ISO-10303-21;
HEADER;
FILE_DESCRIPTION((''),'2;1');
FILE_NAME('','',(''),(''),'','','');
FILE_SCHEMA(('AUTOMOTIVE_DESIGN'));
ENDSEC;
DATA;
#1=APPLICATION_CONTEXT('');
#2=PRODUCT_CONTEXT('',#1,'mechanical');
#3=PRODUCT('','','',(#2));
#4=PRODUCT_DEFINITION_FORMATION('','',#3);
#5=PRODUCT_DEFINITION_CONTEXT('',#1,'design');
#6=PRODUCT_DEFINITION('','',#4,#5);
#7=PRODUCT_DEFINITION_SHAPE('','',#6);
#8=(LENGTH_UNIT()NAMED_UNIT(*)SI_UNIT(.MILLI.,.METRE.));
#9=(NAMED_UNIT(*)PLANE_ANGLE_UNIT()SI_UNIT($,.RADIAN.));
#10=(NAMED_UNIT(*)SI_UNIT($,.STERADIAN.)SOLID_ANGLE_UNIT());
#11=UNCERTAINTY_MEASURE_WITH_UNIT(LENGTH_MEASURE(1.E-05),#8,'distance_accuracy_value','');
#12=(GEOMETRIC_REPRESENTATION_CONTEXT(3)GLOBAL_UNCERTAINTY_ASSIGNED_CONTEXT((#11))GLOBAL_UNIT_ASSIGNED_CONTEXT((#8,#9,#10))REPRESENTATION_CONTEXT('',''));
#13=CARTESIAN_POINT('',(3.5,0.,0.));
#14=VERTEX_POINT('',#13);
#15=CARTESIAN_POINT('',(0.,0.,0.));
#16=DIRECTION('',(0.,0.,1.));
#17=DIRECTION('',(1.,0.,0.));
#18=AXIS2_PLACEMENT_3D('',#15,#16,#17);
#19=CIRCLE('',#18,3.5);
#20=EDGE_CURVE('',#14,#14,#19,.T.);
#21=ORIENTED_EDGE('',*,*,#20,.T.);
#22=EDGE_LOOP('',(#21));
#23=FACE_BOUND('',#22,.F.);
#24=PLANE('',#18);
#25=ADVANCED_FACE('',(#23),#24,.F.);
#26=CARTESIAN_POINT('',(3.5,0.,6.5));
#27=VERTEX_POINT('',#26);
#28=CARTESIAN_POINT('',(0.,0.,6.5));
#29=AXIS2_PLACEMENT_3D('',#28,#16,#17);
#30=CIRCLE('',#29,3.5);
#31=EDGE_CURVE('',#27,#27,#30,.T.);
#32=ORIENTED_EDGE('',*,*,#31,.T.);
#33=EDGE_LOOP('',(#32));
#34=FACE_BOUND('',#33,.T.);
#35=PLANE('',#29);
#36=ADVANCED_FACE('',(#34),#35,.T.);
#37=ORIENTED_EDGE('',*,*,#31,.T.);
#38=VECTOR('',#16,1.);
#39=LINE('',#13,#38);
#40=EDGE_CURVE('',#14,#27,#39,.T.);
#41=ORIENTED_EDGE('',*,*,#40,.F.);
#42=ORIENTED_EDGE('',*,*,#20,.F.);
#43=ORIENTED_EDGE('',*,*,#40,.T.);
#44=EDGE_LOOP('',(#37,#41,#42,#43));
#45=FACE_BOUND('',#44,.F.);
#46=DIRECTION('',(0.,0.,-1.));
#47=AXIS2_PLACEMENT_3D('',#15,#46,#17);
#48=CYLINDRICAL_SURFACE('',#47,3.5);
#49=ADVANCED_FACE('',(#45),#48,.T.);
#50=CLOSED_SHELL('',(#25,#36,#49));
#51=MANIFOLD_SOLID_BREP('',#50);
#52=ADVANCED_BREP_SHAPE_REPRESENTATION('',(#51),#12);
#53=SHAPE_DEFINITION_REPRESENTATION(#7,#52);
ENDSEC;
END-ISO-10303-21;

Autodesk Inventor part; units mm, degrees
ref_plane "YZ Plane" through (0, 0, 0) normal (1, 0, 0) x (0, 1, 0)
ref_plane "XZ Plane" through (0, 0, 0) normal (0, 1, 0) x (-1, 0, 0)
ref_plane "XY Plane" through (0, 0, 0) normal (0, 0, 1) x (1, 0, 0)
sketch "Sketch1" plane through (0, 0, 0) normal (0, 0, 1) x (1, 0, 0)
  circle A0 centre (0, 0) radius 3.5
  dimension "d0" = 7
extrude "Extrusion1" add sketch "Sketch1" along normal blind 6.5
properties part number "DCDC_Thermal_cylinder"
